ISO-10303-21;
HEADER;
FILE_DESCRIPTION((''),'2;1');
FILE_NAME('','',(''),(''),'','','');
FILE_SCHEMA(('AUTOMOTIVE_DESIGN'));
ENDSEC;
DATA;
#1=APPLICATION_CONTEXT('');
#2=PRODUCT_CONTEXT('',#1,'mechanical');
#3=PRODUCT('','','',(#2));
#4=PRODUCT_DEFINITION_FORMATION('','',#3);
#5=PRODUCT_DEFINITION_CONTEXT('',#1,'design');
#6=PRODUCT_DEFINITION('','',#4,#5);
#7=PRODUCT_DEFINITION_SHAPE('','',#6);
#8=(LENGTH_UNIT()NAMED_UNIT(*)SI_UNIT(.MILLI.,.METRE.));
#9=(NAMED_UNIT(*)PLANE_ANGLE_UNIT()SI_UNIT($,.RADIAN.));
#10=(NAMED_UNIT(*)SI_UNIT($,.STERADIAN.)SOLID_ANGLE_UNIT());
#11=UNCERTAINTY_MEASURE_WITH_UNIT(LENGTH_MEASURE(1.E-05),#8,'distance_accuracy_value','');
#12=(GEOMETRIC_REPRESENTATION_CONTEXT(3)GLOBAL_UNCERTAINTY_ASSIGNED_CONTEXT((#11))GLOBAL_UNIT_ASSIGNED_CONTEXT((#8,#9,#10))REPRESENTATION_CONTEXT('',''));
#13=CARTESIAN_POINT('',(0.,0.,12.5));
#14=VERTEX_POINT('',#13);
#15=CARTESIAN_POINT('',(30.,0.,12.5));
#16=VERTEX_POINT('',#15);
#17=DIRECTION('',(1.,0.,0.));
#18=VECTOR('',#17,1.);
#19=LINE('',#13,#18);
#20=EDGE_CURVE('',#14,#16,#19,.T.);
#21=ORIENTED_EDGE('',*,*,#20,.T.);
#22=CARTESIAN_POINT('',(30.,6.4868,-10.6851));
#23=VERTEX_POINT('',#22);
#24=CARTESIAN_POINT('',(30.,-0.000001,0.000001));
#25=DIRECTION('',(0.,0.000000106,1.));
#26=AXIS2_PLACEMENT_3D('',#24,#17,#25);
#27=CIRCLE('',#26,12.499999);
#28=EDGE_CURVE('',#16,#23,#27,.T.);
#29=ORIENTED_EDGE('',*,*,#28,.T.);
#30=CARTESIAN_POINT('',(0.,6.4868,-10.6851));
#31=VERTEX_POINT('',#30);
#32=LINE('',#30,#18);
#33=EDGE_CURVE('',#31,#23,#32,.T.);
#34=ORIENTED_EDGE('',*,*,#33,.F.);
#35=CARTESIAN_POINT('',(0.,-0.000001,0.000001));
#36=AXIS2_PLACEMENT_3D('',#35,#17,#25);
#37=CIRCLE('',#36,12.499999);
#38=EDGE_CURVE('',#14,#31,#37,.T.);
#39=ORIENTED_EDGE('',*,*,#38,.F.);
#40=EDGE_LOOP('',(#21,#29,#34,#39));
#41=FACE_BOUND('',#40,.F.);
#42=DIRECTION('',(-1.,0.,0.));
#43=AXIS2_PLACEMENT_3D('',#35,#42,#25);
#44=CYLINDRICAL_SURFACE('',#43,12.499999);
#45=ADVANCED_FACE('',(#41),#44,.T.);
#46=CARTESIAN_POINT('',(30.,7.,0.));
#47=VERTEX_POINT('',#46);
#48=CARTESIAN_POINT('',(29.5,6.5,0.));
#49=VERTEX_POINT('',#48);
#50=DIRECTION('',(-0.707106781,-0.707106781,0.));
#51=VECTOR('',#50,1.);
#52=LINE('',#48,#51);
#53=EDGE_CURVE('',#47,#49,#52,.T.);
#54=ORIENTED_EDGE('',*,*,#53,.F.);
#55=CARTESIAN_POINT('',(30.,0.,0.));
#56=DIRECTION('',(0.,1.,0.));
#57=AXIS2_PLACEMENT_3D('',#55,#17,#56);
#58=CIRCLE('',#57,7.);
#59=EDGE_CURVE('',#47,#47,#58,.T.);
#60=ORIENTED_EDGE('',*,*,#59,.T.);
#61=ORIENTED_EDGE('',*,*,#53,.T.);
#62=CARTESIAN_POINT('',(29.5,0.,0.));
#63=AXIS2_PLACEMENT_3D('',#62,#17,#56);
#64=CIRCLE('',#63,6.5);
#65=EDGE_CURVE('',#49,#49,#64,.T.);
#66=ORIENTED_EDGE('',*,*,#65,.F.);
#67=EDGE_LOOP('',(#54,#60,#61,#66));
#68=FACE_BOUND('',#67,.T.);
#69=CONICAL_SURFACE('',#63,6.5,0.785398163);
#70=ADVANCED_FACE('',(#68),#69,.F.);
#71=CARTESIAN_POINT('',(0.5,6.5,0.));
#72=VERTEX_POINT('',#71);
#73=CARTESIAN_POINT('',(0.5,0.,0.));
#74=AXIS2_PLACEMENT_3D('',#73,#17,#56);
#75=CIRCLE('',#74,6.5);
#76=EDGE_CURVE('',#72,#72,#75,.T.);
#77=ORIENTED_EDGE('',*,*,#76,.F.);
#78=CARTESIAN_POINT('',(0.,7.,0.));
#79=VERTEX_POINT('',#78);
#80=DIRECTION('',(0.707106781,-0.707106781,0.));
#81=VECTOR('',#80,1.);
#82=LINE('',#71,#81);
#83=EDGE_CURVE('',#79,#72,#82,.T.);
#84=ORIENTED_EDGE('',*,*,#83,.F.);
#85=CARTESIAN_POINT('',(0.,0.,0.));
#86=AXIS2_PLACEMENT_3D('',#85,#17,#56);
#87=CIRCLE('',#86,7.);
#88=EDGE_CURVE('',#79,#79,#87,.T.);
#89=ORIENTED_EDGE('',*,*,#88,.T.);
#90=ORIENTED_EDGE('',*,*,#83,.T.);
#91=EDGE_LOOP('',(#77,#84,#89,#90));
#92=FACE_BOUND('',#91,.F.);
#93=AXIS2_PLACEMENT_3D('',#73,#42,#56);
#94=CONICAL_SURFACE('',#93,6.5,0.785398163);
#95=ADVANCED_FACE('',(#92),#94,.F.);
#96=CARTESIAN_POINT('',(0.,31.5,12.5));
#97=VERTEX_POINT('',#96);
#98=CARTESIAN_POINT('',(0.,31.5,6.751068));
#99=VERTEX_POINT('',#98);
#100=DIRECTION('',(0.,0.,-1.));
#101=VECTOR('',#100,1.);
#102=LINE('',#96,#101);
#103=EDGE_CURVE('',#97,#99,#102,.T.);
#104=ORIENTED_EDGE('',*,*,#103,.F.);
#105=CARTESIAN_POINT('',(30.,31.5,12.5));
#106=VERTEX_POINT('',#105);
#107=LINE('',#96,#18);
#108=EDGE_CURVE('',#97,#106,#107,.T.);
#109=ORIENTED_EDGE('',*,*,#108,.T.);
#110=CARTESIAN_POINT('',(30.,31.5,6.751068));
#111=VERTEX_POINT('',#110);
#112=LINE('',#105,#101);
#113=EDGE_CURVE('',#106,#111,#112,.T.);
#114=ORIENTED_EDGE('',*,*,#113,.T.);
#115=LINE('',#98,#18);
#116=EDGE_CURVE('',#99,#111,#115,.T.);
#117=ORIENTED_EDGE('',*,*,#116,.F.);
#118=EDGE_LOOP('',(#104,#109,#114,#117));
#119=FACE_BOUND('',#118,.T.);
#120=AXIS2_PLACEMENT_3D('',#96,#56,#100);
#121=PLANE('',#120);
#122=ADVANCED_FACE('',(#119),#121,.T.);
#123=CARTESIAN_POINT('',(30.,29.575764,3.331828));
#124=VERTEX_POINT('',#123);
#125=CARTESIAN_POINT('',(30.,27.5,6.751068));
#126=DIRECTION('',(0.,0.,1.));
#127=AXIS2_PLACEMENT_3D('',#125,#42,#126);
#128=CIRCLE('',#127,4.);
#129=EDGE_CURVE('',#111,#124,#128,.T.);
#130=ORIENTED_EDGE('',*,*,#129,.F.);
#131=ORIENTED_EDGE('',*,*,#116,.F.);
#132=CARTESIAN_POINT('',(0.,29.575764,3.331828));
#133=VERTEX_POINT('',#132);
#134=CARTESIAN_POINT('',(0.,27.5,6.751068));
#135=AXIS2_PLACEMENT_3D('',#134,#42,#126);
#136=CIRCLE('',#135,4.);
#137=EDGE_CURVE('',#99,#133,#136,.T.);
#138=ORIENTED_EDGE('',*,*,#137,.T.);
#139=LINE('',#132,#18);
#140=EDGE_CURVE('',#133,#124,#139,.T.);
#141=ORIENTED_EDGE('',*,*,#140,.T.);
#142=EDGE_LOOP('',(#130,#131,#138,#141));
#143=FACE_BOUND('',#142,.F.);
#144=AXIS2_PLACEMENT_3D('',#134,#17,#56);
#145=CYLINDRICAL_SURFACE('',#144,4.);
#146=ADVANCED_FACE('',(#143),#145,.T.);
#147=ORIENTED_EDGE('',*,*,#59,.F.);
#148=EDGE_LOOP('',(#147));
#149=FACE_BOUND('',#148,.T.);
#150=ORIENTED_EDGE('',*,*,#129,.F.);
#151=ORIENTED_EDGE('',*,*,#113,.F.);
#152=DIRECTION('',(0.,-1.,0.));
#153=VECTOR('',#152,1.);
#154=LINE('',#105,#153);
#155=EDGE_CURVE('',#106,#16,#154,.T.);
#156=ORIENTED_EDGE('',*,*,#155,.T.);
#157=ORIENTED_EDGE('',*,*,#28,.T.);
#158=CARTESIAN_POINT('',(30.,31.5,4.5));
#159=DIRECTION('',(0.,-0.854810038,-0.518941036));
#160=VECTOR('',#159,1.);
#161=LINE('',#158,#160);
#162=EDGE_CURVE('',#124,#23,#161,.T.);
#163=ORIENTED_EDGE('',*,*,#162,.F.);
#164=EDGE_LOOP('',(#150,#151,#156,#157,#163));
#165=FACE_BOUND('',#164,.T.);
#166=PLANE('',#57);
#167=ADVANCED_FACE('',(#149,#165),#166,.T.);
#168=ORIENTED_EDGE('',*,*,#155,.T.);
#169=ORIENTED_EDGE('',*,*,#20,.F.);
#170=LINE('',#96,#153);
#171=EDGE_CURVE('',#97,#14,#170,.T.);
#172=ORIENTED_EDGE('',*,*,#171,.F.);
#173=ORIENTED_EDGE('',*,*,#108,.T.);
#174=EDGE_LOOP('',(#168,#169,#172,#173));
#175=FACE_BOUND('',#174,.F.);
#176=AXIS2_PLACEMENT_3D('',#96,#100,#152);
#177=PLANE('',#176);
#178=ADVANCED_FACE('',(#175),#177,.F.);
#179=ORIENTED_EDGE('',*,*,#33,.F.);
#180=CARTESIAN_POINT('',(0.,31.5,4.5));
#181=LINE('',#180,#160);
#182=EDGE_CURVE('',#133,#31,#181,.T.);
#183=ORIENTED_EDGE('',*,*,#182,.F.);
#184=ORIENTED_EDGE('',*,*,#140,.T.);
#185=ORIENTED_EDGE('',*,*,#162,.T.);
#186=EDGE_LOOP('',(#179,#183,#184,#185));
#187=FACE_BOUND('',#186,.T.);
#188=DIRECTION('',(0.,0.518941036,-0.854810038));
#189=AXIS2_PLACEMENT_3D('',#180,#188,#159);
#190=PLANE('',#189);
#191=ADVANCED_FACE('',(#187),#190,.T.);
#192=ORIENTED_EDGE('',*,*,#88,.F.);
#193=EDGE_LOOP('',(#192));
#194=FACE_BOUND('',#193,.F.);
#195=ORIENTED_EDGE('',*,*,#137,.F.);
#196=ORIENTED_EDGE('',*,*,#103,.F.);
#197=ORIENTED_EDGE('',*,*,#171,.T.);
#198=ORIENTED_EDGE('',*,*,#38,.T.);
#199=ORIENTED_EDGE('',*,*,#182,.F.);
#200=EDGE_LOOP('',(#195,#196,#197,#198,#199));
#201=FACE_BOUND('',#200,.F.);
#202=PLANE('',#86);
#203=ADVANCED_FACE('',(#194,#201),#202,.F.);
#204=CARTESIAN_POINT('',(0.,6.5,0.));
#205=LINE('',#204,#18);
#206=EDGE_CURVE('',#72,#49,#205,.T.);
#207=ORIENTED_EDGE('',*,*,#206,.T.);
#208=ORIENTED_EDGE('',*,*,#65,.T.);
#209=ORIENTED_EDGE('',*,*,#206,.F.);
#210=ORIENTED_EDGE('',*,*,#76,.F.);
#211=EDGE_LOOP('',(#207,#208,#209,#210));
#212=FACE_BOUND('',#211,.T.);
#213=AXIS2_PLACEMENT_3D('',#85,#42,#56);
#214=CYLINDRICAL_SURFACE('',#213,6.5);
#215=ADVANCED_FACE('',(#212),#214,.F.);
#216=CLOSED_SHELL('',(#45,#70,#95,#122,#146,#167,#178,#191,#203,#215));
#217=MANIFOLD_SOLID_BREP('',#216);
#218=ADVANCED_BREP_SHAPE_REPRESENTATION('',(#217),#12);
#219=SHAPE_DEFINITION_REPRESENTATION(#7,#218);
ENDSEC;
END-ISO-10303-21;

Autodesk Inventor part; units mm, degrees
ref_plane "YZ Plane" through (0, 0, 0) normal (1, 0, 0) x (0, 1, 0)
ref_plane "XZ Plane" through (0, 0, 0) normal (0, 1, 0) x (-1, 0, 0)
ref_plane "XY Plane" through (0, 0, 0) normal (0, 0, 1) x (1, 0, 0)
sketch "Náčrt2" plane through (0, 0, 0) normal (1, 0, 0) x (0, 1, 0)
  circle A0 centre (0, 0) radius 6.5
  line L0 (31.5, 12.5) -> (0, 12.5)
  line L1 (31.5, 12.5) -> (31.5, 4.5)
  line L2 (31.5, 4.5) -> (6.4868, -10.6851)
  arc A1 (0, 12.5) -> (6.4868, -10.6851) centre (0, 0) ccw
  dimension "d0" = 13
  dimension "d1" = 6
  dimension "d2" = 31.5
  dimension "d3" = 8
extrude "Vysunutí1" add sketch "Náčrt2" along normal blind 30
fillet "Zaoblení1" radius 4 1 edges at (15, 31.5, 4.5)
chamfer "Zkosení1" distance 0.5 angle 45 2 edges at (0, -6.5, 0) (30, -6.5, 0)
properties part number "DD_KVD_003_10_A" material "Nerezová ocel"
